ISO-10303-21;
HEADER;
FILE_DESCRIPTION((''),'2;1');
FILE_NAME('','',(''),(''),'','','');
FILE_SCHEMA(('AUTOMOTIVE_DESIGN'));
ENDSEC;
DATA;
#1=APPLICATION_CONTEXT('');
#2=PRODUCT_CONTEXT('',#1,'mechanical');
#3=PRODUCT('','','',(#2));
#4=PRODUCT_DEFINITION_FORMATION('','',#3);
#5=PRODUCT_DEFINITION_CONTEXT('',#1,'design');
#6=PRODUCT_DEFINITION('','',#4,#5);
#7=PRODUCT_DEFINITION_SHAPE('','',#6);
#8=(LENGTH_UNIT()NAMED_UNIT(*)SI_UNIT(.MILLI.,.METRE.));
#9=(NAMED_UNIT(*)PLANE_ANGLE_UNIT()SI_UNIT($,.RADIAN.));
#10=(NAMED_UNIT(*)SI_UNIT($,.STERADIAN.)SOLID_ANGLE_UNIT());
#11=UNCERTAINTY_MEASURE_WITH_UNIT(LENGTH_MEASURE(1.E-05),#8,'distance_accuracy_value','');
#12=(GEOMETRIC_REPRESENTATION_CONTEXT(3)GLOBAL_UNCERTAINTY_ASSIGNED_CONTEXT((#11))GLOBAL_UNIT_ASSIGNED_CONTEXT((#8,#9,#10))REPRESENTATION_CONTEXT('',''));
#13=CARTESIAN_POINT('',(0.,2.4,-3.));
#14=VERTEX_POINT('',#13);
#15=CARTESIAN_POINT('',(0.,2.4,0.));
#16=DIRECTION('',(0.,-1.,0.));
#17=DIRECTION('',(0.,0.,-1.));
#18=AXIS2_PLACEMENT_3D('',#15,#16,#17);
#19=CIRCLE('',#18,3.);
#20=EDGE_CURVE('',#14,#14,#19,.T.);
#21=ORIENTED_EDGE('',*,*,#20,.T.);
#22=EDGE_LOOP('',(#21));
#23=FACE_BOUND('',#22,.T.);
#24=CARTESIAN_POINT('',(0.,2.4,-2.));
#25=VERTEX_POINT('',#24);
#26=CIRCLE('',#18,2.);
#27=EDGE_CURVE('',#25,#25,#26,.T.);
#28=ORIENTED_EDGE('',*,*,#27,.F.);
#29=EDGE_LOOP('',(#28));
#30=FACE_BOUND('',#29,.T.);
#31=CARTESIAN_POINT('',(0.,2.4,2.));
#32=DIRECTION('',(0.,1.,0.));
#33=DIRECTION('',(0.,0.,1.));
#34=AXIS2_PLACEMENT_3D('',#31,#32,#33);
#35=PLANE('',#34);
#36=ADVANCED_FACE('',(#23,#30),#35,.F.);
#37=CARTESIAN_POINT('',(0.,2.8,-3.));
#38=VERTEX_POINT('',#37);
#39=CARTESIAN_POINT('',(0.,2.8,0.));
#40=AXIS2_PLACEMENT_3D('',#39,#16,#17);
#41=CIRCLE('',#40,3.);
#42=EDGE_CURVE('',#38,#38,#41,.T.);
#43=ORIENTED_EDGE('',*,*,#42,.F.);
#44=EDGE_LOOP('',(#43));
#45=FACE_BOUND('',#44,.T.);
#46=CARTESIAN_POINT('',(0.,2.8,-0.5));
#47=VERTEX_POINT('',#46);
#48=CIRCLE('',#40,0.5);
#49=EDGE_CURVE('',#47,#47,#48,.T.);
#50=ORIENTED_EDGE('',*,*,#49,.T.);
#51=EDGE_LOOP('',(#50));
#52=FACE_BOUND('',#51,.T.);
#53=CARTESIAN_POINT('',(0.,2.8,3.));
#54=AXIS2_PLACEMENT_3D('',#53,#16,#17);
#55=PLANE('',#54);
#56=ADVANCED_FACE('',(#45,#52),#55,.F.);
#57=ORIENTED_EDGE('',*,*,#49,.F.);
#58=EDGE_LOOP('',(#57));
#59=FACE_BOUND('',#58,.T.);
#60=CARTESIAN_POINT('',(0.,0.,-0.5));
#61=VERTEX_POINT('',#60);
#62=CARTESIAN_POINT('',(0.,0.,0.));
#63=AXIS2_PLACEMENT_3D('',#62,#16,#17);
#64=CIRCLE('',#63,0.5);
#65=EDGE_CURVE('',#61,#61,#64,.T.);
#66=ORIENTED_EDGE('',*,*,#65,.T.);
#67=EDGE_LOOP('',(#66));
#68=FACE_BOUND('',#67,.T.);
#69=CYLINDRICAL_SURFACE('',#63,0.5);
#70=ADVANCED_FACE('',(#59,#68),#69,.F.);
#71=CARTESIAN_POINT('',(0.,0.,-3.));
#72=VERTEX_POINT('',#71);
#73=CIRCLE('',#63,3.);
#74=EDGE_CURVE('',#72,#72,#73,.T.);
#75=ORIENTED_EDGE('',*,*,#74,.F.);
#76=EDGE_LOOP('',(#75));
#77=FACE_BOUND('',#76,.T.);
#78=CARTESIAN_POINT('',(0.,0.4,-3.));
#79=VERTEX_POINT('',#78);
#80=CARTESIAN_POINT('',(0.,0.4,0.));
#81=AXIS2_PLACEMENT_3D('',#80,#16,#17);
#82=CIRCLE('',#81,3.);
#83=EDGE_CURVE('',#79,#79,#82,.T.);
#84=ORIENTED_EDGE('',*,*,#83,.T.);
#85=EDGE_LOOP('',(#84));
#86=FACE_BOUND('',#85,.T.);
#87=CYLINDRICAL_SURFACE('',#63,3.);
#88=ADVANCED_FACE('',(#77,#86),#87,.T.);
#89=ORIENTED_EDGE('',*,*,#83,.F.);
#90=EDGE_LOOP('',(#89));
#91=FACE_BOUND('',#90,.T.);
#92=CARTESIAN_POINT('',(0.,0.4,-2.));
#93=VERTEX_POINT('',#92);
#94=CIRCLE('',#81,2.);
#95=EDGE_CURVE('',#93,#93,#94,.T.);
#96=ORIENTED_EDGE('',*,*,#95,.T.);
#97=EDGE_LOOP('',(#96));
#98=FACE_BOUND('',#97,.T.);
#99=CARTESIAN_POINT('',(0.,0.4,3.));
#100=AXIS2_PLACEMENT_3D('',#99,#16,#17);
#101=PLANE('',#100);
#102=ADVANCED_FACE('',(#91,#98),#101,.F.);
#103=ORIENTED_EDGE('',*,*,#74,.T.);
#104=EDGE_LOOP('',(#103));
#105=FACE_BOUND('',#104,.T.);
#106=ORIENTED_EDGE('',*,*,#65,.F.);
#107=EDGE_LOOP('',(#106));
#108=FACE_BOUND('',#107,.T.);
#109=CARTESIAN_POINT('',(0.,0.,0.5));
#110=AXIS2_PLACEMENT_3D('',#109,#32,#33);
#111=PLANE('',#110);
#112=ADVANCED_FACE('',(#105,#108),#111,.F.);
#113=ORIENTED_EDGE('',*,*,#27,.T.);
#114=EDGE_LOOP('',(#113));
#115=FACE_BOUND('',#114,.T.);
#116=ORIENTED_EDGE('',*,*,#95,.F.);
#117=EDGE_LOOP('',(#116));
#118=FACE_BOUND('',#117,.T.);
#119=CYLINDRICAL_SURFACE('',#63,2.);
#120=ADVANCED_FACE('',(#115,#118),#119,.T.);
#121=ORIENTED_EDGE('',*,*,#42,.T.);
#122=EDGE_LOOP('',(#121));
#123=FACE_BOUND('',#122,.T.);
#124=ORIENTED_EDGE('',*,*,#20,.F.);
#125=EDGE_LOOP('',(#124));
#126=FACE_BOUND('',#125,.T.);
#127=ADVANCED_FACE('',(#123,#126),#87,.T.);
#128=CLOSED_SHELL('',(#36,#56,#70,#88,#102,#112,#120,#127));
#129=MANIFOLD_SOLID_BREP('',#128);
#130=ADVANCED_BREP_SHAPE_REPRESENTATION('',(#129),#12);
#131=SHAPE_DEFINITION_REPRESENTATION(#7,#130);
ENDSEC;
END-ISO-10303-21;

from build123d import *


with BuildPart() as part:
    # Sketch1 → Revolve1 (revolve)
    with BuildSketch(Plane(origin=(0, 0, 0), x_dir=(0, 0, -1), z_dir=(1, 0, 0))):
        Polygon((-3, 2.8), (-0.5, 2.8), (-0.5, 0), (-3, 0), (-3, 0.4), (-2, 0.4), (-2, 2.4), (-3, 2.4), align=None)
    revolve(axis=Axis((0, 0, 0), (0, 1, 0)))


solid = part.part
